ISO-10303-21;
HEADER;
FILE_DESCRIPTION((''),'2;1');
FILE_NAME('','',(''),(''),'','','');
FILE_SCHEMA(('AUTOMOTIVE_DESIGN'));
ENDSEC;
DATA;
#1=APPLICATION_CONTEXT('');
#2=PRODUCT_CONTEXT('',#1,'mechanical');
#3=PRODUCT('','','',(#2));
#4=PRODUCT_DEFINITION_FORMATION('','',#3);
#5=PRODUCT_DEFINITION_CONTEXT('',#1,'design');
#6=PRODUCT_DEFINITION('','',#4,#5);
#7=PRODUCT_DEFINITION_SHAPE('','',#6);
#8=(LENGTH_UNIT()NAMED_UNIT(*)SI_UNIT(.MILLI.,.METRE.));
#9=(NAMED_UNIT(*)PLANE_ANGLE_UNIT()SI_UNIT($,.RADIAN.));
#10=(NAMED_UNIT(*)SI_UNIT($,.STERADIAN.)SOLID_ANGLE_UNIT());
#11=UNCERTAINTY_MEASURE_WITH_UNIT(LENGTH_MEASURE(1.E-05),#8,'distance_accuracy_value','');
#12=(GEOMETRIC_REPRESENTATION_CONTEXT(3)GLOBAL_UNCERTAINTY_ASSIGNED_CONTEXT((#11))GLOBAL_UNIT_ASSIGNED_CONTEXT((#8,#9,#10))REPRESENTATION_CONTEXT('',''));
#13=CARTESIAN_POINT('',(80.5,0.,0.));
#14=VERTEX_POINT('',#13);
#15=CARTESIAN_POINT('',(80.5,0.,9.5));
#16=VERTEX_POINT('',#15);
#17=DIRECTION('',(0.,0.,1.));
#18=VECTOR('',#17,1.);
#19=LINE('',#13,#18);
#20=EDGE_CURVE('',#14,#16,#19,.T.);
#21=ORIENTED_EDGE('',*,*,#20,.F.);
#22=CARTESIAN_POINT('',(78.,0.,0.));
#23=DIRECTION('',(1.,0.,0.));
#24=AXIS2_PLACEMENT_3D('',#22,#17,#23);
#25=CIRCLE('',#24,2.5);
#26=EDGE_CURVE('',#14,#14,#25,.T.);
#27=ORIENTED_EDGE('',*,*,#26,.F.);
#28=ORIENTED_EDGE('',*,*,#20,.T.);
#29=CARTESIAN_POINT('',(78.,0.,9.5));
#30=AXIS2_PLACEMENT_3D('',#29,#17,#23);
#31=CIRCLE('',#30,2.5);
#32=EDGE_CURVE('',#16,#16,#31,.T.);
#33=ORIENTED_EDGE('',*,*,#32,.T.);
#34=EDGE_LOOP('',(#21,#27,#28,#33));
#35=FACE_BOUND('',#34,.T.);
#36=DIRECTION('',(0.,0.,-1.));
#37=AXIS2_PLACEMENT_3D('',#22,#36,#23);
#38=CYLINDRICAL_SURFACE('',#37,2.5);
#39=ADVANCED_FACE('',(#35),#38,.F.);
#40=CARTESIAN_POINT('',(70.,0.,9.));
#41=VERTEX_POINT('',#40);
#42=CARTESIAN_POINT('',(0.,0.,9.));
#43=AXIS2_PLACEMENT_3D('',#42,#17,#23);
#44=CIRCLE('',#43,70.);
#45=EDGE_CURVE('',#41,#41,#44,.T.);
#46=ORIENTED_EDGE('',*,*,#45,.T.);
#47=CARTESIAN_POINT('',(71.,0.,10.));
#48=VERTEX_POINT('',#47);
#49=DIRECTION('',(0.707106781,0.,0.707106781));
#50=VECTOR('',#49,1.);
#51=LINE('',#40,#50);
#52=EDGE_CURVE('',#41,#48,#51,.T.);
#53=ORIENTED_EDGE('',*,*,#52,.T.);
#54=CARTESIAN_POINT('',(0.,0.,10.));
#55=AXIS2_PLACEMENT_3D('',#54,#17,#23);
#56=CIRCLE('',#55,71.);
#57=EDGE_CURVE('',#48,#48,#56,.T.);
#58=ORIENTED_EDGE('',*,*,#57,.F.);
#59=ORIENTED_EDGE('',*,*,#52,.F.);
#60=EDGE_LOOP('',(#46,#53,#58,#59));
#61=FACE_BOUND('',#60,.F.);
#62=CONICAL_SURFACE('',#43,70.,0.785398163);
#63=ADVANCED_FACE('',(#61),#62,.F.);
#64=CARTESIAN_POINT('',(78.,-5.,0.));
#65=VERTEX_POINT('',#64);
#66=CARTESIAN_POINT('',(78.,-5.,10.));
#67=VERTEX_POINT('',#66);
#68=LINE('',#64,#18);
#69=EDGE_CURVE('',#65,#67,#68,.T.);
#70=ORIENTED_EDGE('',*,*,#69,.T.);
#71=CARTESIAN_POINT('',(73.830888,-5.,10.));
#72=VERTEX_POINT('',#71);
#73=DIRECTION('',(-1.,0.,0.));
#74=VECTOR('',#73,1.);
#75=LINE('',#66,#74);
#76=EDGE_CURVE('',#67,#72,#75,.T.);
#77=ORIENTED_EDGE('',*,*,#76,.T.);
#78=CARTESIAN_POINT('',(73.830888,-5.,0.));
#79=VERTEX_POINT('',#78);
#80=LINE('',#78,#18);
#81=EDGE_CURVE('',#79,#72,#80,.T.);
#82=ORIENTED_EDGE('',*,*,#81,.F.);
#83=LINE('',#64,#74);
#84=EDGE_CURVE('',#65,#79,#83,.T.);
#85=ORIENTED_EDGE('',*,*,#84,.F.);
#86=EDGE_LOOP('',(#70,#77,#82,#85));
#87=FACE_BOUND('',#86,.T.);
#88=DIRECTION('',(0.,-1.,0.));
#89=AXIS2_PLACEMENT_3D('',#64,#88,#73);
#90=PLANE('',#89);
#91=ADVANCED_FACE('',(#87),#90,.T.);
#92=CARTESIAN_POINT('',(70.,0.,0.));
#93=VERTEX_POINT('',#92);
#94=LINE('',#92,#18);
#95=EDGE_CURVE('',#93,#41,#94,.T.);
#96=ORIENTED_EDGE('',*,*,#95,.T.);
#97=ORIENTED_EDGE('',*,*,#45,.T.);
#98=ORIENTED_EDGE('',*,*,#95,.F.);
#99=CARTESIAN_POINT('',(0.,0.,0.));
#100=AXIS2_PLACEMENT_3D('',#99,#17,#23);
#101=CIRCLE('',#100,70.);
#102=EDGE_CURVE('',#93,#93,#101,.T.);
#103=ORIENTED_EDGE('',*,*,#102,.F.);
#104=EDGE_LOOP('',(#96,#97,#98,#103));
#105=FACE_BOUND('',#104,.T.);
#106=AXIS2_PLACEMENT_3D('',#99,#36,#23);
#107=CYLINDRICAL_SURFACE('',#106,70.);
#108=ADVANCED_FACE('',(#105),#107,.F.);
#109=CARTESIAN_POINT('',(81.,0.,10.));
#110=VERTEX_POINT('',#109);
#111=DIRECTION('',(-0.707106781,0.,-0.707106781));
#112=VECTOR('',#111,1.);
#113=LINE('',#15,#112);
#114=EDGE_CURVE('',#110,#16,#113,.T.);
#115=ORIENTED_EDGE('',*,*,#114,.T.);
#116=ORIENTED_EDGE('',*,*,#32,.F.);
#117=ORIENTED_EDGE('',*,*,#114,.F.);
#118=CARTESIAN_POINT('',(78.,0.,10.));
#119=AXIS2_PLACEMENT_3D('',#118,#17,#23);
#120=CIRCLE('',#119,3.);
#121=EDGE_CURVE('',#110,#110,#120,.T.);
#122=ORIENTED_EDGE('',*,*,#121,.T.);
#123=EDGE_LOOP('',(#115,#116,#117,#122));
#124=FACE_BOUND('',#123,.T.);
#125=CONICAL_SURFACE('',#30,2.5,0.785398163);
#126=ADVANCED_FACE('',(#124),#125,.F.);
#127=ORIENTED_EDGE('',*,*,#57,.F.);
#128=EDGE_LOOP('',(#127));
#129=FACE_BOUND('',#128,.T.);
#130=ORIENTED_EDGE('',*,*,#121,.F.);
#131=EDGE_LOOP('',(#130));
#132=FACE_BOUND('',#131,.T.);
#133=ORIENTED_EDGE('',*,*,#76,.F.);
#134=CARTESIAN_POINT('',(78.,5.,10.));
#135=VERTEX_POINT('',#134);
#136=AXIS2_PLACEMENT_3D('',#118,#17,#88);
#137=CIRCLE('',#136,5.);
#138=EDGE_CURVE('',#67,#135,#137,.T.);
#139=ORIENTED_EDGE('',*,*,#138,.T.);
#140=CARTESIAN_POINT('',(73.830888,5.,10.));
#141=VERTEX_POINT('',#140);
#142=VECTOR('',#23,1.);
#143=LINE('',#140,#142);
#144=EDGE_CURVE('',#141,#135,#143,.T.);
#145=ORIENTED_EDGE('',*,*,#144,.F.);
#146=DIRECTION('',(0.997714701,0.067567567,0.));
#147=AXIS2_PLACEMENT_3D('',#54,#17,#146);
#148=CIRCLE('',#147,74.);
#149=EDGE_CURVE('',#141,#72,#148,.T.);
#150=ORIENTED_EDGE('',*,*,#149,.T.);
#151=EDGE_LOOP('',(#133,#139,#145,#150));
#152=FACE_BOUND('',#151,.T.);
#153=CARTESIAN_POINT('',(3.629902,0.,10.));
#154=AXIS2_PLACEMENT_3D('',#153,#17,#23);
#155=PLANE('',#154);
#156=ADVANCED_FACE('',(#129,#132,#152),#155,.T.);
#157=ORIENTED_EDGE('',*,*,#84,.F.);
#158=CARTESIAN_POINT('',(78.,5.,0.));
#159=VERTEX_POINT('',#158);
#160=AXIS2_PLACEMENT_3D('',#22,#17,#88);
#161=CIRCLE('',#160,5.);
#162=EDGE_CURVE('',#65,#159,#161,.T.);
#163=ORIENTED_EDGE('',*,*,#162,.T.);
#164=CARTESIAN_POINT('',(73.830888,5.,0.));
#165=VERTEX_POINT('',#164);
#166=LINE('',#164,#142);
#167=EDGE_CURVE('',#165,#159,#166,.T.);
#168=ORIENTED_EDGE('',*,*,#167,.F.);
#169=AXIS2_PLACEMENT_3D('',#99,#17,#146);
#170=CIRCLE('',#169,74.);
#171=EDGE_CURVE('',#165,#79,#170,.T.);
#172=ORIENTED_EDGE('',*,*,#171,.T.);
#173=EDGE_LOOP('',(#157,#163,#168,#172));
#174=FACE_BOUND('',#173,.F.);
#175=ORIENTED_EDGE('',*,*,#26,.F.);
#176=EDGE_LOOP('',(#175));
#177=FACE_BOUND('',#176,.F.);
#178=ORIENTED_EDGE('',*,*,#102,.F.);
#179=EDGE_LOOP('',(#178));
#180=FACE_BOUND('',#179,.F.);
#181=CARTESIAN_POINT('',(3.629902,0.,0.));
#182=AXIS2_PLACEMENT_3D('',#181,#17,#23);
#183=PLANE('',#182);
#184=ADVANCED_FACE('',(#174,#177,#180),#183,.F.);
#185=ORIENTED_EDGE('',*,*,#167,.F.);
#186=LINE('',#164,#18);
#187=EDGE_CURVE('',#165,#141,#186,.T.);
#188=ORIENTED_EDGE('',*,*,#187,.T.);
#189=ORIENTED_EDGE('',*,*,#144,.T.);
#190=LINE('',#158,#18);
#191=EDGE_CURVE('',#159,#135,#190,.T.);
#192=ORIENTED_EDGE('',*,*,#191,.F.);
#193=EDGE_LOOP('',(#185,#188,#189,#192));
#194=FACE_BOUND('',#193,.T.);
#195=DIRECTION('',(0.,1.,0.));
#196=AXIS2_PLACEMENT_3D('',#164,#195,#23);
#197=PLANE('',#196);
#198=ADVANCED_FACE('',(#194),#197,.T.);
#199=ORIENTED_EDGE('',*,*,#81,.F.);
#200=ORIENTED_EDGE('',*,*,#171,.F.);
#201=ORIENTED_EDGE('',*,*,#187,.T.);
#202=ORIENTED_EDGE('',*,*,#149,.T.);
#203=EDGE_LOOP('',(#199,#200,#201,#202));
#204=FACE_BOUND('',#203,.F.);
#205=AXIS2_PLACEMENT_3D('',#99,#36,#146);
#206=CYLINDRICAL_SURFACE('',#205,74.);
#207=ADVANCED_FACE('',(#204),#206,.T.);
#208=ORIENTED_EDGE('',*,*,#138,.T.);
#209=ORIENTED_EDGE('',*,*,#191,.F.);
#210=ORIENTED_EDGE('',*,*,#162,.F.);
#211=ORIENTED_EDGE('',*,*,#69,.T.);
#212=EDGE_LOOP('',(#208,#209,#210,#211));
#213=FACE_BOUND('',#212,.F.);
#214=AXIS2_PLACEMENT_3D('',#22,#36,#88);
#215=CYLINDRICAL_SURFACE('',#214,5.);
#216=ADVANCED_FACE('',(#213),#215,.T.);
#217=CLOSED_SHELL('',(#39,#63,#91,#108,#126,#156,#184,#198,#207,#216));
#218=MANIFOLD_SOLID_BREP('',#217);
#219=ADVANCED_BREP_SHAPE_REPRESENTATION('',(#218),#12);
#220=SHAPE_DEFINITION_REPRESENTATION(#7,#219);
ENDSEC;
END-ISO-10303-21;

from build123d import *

# Parameters (mm, degrees)
SKETCH_R        = 70
SKETCH_R_2      = 2.5
PAD_DEPTH       = 10
CHAMFER_SIZE    = 1
CHAMFER001_SIZE = 0.5


with BuildPart() as part:
    # Sketch → Pad (new body)
    with BuildSketch(Plane.XY):
        with BuildLine():
            ThreePointArc((73.830888, 5), (-74, 0), (73.830888, -5))
            Line((78, -5), (73.830888, -5))
            ThreePointArc((78, -5), (83, 0), (78, 5))
            Line((73.830888, 5), (78, 5))
        make_face()
        Circle(SKETCH_R, mode=Mode.SUBTRACT)
        with Locations((78, 0)):
            Circle(SKETCH_R_2, mode=Mode.SUBTRACT)
    extrude(amount=PAD_DEPTH)

    # Chamfer
    chamfer_edges = [part.edges().sort_by_distance(p)[0] for p in [
        (-70, 0, 10),
    ]]
    chamfer(chamfer_edges, length=CHAMFER_SIZE)

    # Chamfer001
    chamfer001_edges = [part.edges().sort_by_distance(p)[0] for p in [
        (75.5, 0, 10),
    ]]
    chamfer(chamfer001_edges, length=CHAMFER001_SIZE)


solid = part.part
